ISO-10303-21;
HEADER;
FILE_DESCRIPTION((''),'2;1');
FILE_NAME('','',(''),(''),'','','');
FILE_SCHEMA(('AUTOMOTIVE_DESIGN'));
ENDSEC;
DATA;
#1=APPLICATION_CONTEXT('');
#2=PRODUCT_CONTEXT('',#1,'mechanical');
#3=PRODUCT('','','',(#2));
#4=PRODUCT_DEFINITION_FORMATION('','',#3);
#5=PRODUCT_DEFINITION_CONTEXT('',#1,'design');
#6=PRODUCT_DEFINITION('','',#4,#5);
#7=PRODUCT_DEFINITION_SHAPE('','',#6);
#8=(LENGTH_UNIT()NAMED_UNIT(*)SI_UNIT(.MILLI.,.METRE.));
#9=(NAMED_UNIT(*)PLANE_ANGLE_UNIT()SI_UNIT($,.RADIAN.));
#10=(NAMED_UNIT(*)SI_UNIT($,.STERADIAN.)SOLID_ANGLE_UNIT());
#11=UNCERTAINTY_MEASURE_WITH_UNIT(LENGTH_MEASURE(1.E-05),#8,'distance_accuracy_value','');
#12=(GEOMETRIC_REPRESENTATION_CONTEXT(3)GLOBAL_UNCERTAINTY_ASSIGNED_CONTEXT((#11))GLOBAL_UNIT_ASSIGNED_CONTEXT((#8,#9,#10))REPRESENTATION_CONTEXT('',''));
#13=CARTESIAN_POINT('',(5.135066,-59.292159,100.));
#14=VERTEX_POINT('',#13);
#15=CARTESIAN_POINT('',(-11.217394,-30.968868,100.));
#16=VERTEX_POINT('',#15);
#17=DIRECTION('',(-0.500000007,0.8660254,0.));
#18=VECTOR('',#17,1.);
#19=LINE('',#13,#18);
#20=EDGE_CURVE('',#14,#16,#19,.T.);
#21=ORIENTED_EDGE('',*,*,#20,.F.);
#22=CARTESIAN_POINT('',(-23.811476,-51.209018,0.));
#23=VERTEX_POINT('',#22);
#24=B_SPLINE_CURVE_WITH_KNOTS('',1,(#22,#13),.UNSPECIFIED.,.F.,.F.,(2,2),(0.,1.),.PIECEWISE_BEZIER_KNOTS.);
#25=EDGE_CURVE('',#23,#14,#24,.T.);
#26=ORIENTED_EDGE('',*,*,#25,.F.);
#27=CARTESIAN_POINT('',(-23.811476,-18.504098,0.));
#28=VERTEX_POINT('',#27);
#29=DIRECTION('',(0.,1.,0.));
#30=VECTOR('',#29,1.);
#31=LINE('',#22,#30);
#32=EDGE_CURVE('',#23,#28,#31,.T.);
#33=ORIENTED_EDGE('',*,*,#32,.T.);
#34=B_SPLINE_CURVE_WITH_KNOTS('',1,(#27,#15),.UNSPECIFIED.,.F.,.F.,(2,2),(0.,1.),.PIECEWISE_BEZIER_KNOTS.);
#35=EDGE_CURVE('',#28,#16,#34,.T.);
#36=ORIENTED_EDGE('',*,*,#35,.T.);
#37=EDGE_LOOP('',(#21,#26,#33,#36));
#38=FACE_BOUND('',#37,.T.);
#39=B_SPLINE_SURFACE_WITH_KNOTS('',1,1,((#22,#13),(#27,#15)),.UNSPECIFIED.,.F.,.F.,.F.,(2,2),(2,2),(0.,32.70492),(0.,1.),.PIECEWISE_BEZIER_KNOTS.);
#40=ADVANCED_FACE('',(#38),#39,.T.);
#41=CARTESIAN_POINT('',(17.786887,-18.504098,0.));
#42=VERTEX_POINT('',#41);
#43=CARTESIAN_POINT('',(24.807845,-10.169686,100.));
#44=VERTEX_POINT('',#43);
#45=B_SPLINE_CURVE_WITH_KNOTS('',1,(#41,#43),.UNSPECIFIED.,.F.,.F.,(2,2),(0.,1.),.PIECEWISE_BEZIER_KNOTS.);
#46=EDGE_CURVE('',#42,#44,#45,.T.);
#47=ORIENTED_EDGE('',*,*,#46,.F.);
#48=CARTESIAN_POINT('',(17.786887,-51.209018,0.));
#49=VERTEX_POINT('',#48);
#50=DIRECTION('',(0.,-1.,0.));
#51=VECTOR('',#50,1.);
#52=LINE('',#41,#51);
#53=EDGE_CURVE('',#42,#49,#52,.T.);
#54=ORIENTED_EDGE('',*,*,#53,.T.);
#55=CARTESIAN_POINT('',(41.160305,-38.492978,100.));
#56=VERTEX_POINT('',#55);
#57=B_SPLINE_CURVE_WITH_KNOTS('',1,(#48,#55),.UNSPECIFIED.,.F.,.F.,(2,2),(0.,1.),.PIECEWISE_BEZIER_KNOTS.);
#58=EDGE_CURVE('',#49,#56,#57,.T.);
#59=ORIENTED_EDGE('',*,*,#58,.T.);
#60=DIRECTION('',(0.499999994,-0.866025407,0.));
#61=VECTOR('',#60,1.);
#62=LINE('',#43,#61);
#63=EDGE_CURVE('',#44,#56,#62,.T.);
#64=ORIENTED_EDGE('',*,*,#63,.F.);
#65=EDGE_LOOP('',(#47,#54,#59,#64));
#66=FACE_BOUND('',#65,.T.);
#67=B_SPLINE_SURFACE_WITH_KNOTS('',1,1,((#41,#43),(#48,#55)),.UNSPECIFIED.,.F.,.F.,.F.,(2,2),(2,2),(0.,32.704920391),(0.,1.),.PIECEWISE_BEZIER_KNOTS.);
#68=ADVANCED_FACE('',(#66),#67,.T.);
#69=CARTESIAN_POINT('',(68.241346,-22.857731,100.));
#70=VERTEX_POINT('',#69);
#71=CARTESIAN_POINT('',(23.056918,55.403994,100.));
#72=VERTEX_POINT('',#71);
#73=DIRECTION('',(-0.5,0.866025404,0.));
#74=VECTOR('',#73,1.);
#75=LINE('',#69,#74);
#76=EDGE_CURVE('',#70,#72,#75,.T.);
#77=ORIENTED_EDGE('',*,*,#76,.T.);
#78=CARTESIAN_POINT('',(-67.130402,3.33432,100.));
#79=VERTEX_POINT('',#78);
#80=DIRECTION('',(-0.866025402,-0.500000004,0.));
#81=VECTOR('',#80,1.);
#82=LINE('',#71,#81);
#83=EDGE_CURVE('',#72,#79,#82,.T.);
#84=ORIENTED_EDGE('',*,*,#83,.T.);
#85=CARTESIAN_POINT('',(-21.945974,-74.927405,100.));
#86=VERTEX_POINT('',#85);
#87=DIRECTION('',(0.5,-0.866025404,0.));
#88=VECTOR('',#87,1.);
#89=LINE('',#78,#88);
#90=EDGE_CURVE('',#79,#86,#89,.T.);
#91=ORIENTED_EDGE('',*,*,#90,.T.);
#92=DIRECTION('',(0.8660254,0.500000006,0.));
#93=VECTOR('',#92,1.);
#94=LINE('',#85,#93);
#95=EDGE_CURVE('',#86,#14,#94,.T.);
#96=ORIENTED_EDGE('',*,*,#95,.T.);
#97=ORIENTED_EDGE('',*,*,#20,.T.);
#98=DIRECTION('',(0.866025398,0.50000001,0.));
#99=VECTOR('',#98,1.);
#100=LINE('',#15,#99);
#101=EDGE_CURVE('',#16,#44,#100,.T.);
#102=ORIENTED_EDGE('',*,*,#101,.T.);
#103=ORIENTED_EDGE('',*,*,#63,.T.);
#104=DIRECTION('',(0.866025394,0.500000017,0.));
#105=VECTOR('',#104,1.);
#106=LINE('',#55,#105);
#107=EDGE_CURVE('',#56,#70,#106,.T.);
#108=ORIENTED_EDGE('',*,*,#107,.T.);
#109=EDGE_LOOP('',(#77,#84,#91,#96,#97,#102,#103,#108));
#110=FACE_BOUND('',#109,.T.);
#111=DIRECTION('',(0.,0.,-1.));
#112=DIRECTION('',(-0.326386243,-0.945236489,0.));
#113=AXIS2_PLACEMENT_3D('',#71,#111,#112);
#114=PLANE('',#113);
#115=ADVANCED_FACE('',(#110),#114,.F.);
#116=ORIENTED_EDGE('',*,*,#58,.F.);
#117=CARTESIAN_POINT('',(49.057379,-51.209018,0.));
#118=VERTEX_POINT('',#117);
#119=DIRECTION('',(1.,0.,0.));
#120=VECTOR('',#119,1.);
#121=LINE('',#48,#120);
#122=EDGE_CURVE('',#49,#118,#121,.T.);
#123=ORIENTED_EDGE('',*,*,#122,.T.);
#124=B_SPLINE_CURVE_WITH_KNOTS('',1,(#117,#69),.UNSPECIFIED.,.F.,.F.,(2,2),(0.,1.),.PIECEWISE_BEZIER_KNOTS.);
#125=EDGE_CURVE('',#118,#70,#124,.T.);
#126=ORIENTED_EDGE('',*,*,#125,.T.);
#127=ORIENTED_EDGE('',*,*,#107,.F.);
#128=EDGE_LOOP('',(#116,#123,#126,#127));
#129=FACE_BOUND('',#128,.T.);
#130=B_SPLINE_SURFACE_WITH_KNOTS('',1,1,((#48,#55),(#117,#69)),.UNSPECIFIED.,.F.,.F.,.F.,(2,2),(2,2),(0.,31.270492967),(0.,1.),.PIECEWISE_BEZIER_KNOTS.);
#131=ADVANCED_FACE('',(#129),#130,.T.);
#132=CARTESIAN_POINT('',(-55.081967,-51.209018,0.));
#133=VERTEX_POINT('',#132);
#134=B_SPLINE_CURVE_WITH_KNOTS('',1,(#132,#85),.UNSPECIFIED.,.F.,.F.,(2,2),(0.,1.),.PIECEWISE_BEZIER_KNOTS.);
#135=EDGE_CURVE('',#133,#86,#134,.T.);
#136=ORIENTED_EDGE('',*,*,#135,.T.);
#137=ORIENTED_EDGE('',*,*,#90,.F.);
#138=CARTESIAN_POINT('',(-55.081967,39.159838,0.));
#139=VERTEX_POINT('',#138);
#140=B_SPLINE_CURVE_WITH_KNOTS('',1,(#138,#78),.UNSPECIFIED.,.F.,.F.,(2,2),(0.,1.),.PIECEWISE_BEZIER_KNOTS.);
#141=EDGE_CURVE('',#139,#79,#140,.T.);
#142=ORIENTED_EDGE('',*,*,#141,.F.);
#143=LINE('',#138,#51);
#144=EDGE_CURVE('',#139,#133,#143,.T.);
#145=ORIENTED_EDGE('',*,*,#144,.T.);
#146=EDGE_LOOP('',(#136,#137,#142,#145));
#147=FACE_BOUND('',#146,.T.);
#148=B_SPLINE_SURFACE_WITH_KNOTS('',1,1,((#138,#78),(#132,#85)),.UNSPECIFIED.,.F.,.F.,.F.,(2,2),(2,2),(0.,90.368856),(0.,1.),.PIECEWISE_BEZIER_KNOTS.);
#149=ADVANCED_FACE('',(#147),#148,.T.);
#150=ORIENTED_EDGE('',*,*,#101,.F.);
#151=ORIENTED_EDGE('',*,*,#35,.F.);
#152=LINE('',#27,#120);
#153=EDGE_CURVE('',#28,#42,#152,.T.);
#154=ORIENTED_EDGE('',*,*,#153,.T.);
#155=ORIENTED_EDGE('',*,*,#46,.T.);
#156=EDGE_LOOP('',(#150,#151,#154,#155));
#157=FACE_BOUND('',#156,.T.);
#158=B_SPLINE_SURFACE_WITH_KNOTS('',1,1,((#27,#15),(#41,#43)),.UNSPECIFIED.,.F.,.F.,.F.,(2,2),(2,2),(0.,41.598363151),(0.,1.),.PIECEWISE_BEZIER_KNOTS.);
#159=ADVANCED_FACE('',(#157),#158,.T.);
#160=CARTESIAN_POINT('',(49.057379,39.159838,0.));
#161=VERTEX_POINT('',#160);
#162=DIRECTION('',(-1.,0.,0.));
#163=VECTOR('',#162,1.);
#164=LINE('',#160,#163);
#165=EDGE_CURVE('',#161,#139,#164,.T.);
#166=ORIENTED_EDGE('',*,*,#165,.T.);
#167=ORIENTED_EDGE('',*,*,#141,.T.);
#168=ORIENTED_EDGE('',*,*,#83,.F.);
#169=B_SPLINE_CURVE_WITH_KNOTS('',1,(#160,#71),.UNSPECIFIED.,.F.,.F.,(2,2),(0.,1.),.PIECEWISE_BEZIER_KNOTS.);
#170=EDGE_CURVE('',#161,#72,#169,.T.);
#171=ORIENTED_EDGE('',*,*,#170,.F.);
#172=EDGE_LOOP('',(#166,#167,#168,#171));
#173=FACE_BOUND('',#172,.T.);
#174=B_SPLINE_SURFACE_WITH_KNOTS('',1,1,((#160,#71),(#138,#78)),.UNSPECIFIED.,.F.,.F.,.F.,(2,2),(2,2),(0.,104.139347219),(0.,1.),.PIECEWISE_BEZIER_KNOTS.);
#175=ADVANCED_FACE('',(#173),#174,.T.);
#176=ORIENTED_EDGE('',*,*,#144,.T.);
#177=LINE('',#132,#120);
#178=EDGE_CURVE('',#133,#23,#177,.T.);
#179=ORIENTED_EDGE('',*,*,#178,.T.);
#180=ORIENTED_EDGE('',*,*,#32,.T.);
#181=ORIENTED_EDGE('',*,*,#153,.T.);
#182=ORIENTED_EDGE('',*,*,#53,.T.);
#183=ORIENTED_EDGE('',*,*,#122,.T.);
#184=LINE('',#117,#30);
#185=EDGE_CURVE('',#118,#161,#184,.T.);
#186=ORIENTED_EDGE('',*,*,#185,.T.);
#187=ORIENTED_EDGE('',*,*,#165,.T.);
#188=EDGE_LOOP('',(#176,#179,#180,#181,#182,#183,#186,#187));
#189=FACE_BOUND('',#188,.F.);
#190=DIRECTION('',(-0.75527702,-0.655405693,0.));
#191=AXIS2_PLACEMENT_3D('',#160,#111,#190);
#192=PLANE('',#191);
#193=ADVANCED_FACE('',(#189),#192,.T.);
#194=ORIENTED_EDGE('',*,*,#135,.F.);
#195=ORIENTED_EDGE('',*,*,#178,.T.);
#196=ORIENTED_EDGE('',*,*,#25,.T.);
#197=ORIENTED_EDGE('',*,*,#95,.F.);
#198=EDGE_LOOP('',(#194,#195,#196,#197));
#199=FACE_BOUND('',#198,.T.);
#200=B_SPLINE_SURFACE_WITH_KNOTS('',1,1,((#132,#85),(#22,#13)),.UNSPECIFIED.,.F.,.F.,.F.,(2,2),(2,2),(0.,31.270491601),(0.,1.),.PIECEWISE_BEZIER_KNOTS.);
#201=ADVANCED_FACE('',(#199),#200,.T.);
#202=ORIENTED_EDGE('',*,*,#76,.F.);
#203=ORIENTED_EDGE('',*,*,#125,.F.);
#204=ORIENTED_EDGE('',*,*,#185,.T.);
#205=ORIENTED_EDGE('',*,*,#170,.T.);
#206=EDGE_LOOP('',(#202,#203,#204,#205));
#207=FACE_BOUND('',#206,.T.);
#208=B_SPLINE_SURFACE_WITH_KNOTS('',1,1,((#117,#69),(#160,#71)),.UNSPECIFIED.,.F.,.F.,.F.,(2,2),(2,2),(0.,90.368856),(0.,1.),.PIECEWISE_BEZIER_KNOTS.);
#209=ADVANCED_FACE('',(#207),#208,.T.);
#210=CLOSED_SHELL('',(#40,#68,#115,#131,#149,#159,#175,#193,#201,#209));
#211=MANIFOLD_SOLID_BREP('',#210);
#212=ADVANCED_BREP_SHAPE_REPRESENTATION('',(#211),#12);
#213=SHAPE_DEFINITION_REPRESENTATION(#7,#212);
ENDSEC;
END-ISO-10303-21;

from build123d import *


with BuildPart() as f3:
    # F0 (on Top) → F3 section 0
    with BuildSketch(Plane.XY):
        Polygon((49.057379, 39.159838), (-55.081967, 39.159838), (-55.081967, -51.209018), (-23.811476, -51.209018), (-23.811476, -18.504098), (17.786887, -18.504098), (17.786887, -51.209018), (49.057379, -51.209018), align=None)
    # F2 (on offset) → F3 section 1
    with BuildSketch(Plane.XY.offset(100)):
        Polygon((23.056918, 55.403994), (-67.130402, 3.33432), (-21.945974, -74.927405), (5.135066, -59.292159), (-11.217394, -30.968868), (24.807845, -10.169686), (41.160305, -38.492978), (68.241346, -22.857731), align=None)
    loft()


solid = f3.part
